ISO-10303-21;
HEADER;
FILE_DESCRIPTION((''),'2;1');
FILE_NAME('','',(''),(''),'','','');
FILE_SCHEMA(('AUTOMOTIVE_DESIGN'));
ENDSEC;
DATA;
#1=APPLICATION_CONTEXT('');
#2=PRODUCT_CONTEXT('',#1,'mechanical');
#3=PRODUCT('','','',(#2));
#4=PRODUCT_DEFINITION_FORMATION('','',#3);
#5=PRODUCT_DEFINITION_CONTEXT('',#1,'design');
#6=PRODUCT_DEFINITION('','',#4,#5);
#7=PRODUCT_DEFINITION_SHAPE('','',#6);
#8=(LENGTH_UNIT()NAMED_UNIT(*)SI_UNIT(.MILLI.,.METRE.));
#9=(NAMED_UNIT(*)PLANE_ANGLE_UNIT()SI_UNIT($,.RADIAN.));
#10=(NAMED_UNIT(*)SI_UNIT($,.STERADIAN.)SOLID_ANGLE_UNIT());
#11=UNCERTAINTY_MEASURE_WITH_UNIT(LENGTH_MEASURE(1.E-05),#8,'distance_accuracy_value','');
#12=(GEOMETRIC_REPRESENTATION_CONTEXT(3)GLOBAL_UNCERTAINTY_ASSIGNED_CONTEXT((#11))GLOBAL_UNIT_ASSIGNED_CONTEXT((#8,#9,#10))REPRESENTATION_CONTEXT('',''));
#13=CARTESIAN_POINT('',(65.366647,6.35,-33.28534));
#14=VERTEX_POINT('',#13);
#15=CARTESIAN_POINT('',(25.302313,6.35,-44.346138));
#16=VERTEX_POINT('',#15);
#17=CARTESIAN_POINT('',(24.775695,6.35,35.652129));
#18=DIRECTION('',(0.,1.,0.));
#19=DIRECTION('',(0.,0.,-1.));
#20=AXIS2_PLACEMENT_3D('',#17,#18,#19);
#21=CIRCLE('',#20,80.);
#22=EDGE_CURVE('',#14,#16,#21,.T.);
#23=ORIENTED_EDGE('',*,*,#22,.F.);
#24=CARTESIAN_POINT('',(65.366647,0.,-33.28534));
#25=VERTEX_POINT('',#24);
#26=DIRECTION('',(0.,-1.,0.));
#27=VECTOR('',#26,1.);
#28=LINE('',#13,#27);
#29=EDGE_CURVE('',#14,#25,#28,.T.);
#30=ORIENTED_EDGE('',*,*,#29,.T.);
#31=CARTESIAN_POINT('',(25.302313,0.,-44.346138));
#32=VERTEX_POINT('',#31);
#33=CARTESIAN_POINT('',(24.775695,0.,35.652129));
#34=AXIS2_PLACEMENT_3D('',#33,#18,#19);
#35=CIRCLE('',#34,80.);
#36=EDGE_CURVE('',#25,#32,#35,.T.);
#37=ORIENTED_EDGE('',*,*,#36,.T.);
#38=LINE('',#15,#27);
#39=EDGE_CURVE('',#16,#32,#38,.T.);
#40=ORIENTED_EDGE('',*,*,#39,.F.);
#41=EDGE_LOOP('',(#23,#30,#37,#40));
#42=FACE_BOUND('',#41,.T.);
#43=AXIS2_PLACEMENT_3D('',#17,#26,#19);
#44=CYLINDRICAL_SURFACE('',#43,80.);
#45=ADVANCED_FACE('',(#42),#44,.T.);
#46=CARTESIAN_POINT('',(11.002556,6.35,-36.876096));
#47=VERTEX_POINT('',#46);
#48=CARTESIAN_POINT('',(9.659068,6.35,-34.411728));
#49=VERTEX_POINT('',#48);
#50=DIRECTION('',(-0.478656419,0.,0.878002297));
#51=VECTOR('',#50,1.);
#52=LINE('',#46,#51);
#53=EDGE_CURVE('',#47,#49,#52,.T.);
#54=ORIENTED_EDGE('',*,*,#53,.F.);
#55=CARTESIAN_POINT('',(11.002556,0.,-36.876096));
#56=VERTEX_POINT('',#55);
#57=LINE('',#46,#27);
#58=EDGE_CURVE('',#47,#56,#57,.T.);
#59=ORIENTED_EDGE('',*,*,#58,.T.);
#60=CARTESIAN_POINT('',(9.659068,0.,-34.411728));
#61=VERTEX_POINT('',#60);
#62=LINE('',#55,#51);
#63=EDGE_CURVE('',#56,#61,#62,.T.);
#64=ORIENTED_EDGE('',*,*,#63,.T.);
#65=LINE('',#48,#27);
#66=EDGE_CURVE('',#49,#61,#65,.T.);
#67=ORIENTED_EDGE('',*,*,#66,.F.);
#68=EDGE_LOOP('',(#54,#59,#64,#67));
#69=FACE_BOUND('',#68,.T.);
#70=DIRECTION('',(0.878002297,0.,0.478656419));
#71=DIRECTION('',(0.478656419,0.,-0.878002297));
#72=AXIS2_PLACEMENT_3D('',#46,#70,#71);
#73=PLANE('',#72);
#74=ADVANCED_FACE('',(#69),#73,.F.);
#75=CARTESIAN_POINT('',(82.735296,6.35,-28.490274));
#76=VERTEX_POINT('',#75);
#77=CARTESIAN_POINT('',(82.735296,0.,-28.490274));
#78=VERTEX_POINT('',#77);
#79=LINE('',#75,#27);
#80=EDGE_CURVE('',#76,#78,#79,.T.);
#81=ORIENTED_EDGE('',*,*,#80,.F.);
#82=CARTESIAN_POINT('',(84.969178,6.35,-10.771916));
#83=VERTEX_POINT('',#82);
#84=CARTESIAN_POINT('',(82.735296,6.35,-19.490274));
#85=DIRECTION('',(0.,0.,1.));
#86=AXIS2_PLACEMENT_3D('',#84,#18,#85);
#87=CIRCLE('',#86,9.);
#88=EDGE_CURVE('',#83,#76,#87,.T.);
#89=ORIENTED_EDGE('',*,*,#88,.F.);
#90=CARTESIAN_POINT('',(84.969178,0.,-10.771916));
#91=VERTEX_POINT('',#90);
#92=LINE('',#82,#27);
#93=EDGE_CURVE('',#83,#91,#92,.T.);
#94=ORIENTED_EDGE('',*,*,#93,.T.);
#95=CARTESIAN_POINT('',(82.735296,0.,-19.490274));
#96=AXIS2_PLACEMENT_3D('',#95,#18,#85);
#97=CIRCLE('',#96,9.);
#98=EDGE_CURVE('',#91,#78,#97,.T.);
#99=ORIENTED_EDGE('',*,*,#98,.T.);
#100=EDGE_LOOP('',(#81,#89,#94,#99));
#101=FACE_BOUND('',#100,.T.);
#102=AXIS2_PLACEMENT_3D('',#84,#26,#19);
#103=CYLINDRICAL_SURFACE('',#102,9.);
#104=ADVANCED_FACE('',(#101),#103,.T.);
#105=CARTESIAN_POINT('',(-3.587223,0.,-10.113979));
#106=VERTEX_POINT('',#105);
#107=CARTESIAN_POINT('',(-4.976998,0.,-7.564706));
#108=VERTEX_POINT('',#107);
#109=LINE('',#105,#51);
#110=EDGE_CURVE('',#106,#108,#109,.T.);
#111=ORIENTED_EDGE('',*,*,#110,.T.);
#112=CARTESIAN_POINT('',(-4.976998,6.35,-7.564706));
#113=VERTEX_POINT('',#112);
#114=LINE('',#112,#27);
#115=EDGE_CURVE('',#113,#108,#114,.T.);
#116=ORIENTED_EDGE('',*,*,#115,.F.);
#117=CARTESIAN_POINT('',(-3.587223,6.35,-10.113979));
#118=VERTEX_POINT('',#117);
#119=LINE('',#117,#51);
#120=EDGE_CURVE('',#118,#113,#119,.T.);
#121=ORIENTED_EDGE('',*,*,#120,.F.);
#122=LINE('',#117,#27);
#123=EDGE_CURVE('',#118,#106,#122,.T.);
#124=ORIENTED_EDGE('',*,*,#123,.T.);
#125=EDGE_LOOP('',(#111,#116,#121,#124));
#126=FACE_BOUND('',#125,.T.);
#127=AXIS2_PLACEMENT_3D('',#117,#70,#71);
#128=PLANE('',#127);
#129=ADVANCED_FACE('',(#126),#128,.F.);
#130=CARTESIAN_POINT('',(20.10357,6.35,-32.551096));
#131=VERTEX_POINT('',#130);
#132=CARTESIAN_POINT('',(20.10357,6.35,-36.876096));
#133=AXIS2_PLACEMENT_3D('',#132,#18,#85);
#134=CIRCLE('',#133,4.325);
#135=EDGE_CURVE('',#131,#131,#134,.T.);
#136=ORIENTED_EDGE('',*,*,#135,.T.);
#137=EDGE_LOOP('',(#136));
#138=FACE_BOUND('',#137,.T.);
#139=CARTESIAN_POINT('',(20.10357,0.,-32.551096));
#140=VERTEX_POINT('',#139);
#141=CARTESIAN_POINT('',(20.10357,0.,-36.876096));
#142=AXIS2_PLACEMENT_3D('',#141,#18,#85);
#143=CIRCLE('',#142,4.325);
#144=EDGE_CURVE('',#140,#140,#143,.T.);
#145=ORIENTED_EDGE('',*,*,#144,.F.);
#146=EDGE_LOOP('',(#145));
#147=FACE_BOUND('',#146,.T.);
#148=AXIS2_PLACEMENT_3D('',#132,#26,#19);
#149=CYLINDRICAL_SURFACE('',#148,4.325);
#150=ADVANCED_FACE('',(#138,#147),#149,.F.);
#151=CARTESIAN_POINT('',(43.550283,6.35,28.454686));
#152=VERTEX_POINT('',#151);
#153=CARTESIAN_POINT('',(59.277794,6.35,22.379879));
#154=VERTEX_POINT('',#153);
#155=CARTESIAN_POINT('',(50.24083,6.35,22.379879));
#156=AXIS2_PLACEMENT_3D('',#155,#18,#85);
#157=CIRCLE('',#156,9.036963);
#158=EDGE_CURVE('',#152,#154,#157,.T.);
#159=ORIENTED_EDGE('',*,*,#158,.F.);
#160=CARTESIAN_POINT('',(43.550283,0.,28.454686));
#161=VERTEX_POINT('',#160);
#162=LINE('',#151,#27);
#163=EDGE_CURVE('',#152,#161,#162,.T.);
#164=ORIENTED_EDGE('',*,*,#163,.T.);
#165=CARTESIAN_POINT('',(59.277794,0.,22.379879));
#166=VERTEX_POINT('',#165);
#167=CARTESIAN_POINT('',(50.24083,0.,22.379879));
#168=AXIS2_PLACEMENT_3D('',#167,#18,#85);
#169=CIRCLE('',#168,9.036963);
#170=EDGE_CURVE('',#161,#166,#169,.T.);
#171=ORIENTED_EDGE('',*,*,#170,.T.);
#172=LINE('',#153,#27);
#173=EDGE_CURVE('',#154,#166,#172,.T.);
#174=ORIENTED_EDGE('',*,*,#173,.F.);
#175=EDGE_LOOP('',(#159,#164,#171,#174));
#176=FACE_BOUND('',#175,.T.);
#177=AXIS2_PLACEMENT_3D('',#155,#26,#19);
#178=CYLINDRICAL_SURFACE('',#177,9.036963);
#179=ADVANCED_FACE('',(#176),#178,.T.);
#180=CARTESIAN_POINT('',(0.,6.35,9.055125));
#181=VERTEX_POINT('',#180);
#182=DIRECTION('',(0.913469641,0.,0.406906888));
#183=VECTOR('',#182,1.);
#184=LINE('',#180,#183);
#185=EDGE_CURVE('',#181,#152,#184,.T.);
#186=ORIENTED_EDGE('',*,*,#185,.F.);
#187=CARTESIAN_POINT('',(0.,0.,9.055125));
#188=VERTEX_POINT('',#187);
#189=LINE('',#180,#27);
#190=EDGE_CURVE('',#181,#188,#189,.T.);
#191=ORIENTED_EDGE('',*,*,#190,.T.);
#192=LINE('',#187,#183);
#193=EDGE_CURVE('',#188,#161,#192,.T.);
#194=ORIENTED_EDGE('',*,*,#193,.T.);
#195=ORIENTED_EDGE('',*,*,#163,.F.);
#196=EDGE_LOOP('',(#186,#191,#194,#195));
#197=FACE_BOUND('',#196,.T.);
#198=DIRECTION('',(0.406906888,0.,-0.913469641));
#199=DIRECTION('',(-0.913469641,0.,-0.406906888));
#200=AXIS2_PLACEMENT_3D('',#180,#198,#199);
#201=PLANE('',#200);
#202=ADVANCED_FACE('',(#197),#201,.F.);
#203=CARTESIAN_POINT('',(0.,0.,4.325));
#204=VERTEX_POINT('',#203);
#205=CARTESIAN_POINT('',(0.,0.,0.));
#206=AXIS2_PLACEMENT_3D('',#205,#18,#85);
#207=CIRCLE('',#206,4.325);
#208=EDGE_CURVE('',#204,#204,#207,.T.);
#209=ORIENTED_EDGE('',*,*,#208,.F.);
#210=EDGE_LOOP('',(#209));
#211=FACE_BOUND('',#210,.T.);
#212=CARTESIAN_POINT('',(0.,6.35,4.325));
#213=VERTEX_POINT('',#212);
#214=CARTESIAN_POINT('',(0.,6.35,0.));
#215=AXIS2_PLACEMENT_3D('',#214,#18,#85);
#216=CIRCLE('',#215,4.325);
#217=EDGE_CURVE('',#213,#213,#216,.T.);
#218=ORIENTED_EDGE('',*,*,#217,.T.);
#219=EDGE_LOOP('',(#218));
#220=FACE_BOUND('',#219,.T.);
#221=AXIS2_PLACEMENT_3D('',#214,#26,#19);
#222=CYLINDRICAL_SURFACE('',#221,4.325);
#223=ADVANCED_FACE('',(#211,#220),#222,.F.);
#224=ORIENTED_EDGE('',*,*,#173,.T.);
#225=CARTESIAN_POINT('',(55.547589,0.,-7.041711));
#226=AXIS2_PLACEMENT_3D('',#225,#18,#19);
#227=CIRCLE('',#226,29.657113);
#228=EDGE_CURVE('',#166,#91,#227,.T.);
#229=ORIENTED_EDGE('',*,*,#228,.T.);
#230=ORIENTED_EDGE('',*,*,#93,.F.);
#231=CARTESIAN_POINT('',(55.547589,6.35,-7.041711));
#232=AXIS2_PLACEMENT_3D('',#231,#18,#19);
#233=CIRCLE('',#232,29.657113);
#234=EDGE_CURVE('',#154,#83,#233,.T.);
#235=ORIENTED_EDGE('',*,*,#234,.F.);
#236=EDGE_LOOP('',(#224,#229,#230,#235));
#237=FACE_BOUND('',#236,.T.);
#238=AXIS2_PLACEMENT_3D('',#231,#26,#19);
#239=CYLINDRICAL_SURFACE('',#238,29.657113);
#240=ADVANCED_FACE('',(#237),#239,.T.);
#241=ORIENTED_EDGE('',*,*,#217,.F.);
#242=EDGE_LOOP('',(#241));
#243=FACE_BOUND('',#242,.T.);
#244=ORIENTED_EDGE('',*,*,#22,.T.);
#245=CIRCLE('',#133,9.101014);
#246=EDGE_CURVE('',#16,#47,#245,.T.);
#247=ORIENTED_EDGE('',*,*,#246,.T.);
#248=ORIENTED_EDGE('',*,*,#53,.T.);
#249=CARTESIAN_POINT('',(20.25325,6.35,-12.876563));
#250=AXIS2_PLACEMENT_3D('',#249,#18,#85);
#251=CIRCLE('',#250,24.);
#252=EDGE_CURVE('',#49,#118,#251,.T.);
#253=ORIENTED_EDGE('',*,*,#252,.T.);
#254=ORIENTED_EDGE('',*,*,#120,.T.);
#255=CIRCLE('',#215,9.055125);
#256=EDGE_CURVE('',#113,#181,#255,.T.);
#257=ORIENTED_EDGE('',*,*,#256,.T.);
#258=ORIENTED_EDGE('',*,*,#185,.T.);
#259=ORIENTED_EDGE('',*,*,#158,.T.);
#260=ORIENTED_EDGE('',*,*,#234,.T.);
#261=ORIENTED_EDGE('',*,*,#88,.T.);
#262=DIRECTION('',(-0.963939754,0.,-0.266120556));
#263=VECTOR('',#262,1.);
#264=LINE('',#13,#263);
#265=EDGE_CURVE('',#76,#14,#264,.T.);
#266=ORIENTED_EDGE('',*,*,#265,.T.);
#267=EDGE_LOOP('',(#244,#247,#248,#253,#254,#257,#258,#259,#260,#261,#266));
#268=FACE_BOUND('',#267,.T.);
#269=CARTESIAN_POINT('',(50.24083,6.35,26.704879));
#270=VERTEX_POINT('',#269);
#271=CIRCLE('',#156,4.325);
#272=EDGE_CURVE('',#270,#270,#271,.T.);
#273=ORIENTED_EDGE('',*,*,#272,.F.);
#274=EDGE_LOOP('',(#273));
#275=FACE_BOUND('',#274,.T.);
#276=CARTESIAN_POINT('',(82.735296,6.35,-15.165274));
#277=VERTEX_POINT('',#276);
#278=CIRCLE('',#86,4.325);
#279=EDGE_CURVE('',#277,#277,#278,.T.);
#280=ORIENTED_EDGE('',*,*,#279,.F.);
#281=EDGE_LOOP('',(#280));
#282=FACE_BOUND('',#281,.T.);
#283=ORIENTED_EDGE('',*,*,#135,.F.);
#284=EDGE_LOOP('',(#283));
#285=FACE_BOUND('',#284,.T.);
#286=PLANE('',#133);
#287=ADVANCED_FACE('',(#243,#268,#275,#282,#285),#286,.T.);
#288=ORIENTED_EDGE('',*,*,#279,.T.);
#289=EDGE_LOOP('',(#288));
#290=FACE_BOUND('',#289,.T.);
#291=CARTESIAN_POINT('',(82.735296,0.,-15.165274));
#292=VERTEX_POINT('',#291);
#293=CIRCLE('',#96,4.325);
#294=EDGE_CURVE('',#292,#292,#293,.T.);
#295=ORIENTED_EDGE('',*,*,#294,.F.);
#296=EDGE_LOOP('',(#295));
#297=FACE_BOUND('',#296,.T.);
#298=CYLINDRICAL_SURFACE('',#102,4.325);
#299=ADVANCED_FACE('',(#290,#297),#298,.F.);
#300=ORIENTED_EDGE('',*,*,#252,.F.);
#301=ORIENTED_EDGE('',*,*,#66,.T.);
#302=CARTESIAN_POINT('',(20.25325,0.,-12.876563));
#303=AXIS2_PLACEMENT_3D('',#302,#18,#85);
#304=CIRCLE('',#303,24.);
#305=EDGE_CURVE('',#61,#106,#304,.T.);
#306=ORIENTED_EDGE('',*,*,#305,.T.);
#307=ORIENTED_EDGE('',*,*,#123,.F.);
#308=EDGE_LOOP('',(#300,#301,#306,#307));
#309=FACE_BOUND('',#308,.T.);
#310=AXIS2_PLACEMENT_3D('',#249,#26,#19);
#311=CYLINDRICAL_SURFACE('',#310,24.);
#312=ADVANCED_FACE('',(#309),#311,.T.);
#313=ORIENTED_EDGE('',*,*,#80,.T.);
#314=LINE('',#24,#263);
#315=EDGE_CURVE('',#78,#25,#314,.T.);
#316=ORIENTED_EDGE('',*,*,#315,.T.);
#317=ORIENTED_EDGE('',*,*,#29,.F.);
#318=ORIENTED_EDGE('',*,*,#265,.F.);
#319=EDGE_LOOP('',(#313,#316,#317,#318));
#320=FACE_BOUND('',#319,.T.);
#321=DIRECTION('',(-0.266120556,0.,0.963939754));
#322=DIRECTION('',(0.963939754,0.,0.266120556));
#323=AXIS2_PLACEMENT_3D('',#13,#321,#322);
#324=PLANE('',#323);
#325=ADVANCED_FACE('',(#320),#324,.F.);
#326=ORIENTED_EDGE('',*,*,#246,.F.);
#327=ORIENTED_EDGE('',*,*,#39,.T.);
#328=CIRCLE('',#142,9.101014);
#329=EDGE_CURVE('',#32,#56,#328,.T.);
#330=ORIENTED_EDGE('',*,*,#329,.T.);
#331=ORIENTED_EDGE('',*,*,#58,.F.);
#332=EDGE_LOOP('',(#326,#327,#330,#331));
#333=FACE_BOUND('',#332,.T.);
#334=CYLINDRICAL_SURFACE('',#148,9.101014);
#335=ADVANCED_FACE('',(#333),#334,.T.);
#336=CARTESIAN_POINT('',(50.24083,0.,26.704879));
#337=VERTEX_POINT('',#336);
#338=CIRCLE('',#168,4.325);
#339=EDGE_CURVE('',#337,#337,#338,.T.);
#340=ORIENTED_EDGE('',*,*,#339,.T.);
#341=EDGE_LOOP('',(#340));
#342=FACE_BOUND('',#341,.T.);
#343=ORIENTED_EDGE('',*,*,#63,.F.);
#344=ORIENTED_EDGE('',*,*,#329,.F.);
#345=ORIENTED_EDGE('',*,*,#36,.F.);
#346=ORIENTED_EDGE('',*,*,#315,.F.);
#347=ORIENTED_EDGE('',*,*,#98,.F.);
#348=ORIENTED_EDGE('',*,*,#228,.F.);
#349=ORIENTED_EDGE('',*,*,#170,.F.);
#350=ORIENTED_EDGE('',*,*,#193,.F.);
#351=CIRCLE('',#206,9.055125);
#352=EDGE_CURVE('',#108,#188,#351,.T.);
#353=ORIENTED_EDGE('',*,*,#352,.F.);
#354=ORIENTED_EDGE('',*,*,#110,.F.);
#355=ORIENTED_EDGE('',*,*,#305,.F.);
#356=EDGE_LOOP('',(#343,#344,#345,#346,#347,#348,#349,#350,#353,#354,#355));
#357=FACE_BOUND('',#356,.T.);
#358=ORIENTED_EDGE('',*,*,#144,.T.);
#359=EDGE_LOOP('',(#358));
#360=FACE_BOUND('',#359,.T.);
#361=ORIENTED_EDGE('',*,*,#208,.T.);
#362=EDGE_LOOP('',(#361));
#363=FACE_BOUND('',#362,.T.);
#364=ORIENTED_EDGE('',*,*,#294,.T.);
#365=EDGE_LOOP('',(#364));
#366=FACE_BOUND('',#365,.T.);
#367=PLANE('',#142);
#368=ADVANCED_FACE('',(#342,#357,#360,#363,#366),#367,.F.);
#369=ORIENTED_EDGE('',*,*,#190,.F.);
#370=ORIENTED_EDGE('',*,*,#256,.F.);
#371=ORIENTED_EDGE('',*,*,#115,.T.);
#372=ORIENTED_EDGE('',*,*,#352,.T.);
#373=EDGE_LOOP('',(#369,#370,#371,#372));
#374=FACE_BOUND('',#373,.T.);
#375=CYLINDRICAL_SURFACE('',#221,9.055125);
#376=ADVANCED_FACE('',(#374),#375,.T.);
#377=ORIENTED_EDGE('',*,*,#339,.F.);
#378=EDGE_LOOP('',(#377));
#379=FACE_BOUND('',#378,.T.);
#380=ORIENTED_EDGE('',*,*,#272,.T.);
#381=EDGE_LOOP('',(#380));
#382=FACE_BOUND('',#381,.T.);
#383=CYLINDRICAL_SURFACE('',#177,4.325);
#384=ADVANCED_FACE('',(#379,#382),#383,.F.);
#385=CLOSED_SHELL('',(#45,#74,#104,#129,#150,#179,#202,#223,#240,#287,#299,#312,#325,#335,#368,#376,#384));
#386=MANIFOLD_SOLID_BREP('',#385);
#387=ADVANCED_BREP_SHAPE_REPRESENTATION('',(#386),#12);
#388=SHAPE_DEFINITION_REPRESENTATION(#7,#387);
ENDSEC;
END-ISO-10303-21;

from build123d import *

# Parameters (mm, degrees)
SKETCH1_R      = 4.325
EXTRUDE1_DEPTH = 6.35


with BuildPart() as part:
    # Sketch1 → Extrude1 (new body)
    with BuildSketch(Plane(origin=(0, 0, 0), x_dir=(1, 0, 0), z_dir=(0, 1, 0))):
        with BuildLine():
            Line((0, -9.055124804), (43.550282623, -28.454685784))
            ThreePointArc((43.550282623, -28.454685784), (53.496937792, -30.809853354), (59.277793564, -22.379878865))
            ThreePointArc((59.277793564, -22.379878865), (78.989447237, -11.124841627), (84.969178064, 10.771915509))
            ThreePointArc((84.969178064, 10.771915509), (91.664608112, 20.616056931), (82.735296136, 28.490273813))
            Line((82.735296136, 28.490273813), (65.366646785, 33.285339694))
            ThreePointArc((65.366646785, 33.285339694), (46.065339232, 41.463051172), (25.302313168, 44.34613753))
            ThreePointArc((25.302313168, 44.34613753), (15.889627698, 44.942765056), (11.002555987, 36.876096458))
            Line((11.002555987, 36.876096458), (9.659067514, 34.411727615))
            ThreePointArc((9.659067514, 34.411727615), (-0.818805509, 24.364317263), (-3.587222868, 10.113978909))
            Line((-3.587222868, 10.113978909), (-4.976998188, 7.564705828))
            ThreePointArc((-4.976998188, 7.564705828), (-8.67452133, -2.597684531), (0, -9.055124804))
        make_face()
        with Locations(Location((20.103569583, 36.876096458, 0), (0, 0, 270))):  # turned: the seam where the file's is
            Circle(SKETCH1_R, mode=Mode.SUBTRACT)
        with Locations(Location((0, 0, 0), (0, 0, 270))):  # turned: the seam where the file's is
            Circle(SKETCH1_R, mode=Mode.SUBTRACT)
        with Locations(Location((50.240830228, -22.379878865, 0), (0, 0, 270))):  # turned: the seam where the file's is
            Circle(SKETCH1_R, mode=Mode.SUBTRACT)
        with Locations(Location((82.735296136, 19.490273813, 0), (0, 0, 270))):  # turned: the seam where the file's is
            Circle(SKETCH1_R, mode=Mode.SUBTRACT)
    extrude(amount=EXTRUDE1_DEPTH)


solid = part.part
